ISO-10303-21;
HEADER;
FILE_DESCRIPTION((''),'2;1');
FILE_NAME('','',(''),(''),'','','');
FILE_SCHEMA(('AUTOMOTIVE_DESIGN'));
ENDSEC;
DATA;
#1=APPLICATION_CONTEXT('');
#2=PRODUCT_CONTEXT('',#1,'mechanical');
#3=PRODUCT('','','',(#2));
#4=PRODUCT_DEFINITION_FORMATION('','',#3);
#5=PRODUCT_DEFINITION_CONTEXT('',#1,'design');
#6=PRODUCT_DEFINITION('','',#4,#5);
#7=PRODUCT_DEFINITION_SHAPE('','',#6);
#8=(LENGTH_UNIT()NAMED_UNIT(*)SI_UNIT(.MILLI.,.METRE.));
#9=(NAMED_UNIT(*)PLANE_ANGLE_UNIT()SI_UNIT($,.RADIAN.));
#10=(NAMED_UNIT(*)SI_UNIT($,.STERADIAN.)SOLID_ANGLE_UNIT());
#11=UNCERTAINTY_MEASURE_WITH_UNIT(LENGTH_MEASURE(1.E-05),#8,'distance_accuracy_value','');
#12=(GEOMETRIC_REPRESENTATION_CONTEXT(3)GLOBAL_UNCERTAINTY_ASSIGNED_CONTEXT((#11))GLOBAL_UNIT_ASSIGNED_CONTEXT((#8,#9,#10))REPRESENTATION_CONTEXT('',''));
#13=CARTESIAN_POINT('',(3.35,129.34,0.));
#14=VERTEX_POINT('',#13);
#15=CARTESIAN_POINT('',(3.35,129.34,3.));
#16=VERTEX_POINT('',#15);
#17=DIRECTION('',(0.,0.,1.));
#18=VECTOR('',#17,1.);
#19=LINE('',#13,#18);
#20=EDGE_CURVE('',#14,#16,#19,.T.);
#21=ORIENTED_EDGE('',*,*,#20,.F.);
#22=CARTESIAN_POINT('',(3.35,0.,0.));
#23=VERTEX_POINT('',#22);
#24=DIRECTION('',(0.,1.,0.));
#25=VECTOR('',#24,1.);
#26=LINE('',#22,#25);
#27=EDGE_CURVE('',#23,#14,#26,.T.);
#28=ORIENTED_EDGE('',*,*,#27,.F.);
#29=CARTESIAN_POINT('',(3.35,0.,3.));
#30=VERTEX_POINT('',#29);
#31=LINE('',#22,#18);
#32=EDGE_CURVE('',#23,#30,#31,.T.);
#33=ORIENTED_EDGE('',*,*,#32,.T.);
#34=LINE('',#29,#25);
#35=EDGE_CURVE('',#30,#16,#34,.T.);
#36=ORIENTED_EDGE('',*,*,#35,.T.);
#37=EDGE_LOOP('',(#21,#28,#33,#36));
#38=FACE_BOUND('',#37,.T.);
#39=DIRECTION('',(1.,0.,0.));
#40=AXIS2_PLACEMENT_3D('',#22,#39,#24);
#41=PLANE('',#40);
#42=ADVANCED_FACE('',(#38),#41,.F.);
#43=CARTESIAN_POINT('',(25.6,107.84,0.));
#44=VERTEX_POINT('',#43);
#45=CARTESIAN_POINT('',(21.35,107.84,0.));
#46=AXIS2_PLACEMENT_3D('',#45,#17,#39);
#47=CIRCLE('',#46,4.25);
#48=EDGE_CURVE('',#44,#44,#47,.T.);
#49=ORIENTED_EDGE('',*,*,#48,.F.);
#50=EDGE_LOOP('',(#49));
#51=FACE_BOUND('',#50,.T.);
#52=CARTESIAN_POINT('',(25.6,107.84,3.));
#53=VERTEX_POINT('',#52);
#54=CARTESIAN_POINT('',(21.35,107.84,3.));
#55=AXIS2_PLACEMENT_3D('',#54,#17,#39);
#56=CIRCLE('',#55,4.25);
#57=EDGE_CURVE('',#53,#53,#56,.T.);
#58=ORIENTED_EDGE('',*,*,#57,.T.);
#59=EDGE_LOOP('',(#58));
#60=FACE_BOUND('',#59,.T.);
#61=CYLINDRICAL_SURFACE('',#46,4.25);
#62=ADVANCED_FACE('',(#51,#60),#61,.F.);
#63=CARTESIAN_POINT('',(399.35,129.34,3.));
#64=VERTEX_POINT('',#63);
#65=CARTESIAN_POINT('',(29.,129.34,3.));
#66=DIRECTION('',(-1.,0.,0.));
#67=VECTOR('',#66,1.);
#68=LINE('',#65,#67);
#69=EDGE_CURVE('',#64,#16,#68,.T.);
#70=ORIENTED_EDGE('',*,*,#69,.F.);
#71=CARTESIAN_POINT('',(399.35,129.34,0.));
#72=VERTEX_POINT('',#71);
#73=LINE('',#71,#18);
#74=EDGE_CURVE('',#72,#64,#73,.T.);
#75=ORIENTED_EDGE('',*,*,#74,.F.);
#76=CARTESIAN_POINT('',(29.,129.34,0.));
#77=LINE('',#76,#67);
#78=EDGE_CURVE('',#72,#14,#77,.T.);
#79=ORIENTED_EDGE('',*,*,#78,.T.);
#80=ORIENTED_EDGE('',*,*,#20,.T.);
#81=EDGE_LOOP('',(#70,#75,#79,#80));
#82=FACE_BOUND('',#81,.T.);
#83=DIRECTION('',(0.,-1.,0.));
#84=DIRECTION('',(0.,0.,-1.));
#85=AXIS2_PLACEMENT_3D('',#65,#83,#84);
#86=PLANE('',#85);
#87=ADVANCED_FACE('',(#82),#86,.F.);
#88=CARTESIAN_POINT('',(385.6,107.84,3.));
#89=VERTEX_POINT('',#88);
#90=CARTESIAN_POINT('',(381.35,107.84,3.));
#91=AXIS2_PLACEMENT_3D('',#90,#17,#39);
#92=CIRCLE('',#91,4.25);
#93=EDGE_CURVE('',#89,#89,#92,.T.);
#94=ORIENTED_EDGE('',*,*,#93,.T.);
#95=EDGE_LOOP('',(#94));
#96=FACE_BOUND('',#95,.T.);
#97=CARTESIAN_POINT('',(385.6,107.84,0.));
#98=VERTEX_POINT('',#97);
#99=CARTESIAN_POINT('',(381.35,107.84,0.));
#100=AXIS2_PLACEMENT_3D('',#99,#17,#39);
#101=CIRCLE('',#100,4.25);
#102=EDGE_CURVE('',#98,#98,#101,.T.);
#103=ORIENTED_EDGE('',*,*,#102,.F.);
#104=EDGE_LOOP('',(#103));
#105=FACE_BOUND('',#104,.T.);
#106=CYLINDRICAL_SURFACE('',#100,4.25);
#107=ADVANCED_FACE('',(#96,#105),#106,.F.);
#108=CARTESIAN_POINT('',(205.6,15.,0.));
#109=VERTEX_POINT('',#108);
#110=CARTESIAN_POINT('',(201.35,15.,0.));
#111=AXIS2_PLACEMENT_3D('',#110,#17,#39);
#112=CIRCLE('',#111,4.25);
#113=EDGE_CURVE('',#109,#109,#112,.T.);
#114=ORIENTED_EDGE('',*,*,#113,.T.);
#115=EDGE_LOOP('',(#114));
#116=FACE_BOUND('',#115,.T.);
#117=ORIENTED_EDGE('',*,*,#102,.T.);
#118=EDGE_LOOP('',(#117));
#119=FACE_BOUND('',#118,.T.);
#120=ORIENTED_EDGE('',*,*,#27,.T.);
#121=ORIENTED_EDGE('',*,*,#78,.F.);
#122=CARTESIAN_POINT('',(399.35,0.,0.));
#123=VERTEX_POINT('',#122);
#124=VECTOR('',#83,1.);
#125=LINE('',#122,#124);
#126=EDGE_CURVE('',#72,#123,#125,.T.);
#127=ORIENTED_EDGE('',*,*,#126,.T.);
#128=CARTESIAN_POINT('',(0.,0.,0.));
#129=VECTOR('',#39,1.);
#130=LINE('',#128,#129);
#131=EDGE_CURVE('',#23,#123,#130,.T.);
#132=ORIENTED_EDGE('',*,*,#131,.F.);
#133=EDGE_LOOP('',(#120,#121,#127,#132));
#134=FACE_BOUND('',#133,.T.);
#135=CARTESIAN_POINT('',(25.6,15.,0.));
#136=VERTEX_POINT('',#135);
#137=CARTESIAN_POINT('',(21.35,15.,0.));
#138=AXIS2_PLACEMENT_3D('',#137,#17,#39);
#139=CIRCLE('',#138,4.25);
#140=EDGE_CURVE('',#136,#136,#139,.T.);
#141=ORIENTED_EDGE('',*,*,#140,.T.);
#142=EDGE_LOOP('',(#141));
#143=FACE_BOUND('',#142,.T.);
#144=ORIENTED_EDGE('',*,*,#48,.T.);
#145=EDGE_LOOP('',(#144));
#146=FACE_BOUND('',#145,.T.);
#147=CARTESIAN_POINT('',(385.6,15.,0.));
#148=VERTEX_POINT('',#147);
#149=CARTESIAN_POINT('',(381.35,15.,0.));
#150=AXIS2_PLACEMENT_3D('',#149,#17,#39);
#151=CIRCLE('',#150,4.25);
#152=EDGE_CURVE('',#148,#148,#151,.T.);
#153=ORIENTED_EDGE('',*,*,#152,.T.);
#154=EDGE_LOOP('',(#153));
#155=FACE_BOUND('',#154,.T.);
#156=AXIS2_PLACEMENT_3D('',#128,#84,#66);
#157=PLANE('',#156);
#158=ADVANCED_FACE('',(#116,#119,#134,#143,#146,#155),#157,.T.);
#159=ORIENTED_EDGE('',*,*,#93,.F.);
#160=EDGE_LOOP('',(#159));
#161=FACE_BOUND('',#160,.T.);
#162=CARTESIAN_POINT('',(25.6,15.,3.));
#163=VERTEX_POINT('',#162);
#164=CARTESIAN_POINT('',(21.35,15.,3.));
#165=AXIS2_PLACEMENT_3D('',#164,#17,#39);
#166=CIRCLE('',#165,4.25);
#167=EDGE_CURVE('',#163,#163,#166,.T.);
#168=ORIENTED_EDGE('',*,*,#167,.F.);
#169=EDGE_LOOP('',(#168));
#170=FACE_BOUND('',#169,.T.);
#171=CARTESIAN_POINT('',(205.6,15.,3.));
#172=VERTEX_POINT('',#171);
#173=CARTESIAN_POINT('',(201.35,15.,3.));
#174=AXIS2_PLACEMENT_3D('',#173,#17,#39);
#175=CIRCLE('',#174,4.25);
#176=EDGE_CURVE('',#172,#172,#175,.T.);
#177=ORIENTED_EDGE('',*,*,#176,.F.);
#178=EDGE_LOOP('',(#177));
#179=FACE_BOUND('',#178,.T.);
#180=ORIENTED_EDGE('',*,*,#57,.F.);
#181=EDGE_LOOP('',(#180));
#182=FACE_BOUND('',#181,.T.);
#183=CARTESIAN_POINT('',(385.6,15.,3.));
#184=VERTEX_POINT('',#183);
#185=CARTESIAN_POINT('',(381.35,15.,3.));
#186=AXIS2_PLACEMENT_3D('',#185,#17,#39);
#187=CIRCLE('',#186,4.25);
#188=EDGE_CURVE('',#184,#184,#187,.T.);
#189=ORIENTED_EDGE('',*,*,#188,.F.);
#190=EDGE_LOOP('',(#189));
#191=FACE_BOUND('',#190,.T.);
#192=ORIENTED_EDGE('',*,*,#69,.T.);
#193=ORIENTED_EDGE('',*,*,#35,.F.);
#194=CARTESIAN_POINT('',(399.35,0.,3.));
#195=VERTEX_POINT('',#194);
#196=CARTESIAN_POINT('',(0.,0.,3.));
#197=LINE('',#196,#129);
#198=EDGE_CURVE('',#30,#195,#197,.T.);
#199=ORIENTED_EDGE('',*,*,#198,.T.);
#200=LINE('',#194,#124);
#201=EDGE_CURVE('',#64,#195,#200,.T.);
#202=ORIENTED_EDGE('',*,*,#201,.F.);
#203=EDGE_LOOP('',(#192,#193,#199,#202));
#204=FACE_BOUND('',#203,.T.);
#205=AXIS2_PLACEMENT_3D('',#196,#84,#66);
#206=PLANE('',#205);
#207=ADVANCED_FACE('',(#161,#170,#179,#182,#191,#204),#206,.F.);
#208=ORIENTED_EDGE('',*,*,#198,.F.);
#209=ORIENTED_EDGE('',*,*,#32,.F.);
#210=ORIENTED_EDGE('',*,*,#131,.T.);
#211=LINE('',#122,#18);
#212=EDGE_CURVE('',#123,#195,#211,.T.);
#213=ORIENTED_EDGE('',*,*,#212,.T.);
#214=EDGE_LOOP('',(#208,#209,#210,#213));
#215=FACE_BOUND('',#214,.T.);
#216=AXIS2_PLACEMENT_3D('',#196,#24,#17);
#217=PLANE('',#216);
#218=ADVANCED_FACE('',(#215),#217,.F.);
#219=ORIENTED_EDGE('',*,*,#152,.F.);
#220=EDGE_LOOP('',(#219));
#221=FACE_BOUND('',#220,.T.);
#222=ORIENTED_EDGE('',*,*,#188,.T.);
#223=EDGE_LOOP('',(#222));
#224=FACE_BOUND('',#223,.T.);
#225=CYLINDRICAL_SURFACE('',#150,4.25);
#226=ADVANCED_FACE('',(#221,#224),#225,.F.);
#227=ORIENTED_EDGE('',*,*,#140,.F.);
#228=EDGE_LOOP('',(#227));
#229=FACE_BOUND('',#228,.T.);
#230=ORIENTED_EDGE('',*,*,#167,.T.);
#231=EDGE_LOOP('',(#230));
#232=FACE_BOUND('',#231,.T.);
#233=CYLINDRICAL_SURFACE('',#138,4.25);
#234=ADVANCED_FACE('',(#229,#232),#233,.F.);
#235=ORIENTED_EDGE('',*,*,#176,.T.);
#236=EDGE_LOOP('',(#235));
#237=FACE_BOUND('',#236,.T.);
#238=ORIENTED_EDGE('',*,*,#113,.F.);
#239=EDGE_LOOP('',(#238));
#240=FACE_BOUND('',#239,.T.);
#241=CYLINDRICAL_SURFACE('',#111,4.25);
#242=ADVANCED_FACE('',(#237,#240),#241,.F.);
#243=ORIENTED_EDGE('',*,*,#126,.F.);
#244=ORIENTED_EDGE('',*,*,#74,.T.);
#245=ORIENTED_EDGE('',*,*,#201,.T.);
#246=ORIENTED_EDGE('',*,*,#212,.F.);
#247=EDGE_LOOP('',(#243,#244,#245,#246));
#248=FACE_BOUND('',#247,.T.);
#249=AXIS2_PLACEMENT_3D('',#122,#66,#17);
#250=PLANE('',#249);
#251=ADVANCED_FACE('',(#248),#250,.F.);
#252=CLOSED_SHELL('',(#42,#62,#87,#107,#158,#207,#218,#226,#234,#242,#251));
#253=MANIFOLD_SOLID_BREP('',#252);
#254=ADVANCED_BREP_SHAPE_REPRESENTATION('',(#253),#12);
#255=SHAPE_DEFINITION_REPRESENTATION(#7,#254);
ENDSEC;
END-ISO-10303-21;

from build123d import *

# Parameters (mm, degrees)
SKETCH1_R               = 4
BOSS_EXTRUDE1_DEPTH     = 3
CROQUIS1_W              = 29
CROQUIS1_H              = 43
SALIENTE_EXTRUIR1_DEPTH = 3
CROQUIS2_R              = 4.25
CORTAR_EXTRUIR1_DEPTH   = 3
CROQUIS4_W              = 3.35
CROQUIS4_H              = 129.34
CORTAR_EXTRUIR2_DEPTH   = 3
CROQUIS5_R              = 4.5
SALIENTE_EXTRUIR2_DEPTH = 3
CROQUIS6_R              = 4.25
CORTAR_EXTRUIR3_DEPTH   = 3


with BuildPart() as part:
    # Sketch1 → Boss-Extrude1 (new body)
    with BuildSketch(Plane.XY):
        Polygon((0, 0), (402.7, 0), (402.7, 86.34), (373.7, 86.34), (373.7, 129.34), (29, 129.34), (29, 86.34), (0, 86.34), align=None)
        with Locations((21.35, 71.34)):
            Circle(SKETCH1_R, mode=Mode.SUBTRACT)
        with Locations((21.35, 15)):
            Circle(SKETCH1_R, mode=Mode.SUBTRACT)
        with Locations((381.35, 15)):
            Circle(SKETCH1_R, mode=Mode.SUBTRACT)
        with Locations((381.35, 71.34)):
            Circle(SKETCH1_R, mode=Mode.SUBTRACT)
        with Locations((199, 15)):
            Circle(SKETCH1_R, mode=Mode.SUBTRACT)
    extrude(amount=BOSS_EXTRUDE1_DEPTH)

    # Croquis1 → Saliente-Extruir1 (add)
    with BuildSketch(Plane.XY.offset(3)):
        with Locations((14.5, 107.84)):
            Rectangle(CROQUIS1_W, CROQUIS1_H)
        with Locations((388.2, 107.84)):
            Rectangle(CROQUIS1_W, CROQUIS1_H)
    extrude(amount=-SALIENTE_EXTRUIR1_DEPTH)

    # Croquis2 → Cortar-Extruir1 (cut)
    with BuildSketch(Plane.XY.offset(3)):
        with Locations((15, 107.84)):
            Circle(CROQUIS2_R)
        with Locations((387.7, 107.84)):
            Circle(CROQUIS2_R)
    extrude(amount=-CORTAR_EXTRUIR1_DEPTH, mode=Mode.SUBTRACT)

    # Croquis4 → Cortar-Extruir2 (cut)
    with BuildSketch(Plane.XY.offset(3)):
        with Locations((1.675, 64.67)):
            Rectangle(CROQUIS4_W, CROQUIS4_H)
        with Locations((401.025, 64.67)):
            Rectangle(CROQUIS4_W, CROQUIS4_H)
    extrude(amount=-CORTAR_EXTRUIR2_DEPTH, mode=Mode.SUBTRACT)

    # Croquis5 → Saliente-Extruir2 (add)
    with BuildSketch(Plane.XY.offset(3)):
        with Locations((199, 15)):
            Circle(CROQUIS5_R)
        with Locations((21.35, 15)):
            Circle(CROQUIS5_R)
        with Locations((21.35, 71.34)):
            Circle(CROQUIS5_R)
        with Locations((15, 107.84)):
            Circle(CROQUIS5_R)
        with Locations((387.7, 107.84)):
            Circle(CROQUIS5_R)
        with Locations((381.35, 71.34)):
            Circle(CROQUIS5_R)
        with Locations((381.35, 15)):
            Circle(CROQUIS5_R)
    extrude(amount=-SALIENTE_EXTRUIR2_DEPTH)

    # Croquis6 → Cortar-Extruir3 (cut)
    with BuildSketch(Plane.XY.offset(3)):
        with Locations((21.35, 107.84)):
            Circle(CROQUIS6_R)
        with Locations((21.35, 15)):
            Circle(CROQUIS6_R)
        with Locations((201.35, 15)):
            Circle(CROQUIS6_R)
        with Locations((381.35, 15)):
            Circle(CROQUIS6_R)
        with Locations((381.35, 107.84)):
            Circle(CROQUIS6_R)
    extrude(amount=-CORTAR_EXTRUIR3_DEPTH, mode=Mode.SUBTRACT)


solid = part.part
